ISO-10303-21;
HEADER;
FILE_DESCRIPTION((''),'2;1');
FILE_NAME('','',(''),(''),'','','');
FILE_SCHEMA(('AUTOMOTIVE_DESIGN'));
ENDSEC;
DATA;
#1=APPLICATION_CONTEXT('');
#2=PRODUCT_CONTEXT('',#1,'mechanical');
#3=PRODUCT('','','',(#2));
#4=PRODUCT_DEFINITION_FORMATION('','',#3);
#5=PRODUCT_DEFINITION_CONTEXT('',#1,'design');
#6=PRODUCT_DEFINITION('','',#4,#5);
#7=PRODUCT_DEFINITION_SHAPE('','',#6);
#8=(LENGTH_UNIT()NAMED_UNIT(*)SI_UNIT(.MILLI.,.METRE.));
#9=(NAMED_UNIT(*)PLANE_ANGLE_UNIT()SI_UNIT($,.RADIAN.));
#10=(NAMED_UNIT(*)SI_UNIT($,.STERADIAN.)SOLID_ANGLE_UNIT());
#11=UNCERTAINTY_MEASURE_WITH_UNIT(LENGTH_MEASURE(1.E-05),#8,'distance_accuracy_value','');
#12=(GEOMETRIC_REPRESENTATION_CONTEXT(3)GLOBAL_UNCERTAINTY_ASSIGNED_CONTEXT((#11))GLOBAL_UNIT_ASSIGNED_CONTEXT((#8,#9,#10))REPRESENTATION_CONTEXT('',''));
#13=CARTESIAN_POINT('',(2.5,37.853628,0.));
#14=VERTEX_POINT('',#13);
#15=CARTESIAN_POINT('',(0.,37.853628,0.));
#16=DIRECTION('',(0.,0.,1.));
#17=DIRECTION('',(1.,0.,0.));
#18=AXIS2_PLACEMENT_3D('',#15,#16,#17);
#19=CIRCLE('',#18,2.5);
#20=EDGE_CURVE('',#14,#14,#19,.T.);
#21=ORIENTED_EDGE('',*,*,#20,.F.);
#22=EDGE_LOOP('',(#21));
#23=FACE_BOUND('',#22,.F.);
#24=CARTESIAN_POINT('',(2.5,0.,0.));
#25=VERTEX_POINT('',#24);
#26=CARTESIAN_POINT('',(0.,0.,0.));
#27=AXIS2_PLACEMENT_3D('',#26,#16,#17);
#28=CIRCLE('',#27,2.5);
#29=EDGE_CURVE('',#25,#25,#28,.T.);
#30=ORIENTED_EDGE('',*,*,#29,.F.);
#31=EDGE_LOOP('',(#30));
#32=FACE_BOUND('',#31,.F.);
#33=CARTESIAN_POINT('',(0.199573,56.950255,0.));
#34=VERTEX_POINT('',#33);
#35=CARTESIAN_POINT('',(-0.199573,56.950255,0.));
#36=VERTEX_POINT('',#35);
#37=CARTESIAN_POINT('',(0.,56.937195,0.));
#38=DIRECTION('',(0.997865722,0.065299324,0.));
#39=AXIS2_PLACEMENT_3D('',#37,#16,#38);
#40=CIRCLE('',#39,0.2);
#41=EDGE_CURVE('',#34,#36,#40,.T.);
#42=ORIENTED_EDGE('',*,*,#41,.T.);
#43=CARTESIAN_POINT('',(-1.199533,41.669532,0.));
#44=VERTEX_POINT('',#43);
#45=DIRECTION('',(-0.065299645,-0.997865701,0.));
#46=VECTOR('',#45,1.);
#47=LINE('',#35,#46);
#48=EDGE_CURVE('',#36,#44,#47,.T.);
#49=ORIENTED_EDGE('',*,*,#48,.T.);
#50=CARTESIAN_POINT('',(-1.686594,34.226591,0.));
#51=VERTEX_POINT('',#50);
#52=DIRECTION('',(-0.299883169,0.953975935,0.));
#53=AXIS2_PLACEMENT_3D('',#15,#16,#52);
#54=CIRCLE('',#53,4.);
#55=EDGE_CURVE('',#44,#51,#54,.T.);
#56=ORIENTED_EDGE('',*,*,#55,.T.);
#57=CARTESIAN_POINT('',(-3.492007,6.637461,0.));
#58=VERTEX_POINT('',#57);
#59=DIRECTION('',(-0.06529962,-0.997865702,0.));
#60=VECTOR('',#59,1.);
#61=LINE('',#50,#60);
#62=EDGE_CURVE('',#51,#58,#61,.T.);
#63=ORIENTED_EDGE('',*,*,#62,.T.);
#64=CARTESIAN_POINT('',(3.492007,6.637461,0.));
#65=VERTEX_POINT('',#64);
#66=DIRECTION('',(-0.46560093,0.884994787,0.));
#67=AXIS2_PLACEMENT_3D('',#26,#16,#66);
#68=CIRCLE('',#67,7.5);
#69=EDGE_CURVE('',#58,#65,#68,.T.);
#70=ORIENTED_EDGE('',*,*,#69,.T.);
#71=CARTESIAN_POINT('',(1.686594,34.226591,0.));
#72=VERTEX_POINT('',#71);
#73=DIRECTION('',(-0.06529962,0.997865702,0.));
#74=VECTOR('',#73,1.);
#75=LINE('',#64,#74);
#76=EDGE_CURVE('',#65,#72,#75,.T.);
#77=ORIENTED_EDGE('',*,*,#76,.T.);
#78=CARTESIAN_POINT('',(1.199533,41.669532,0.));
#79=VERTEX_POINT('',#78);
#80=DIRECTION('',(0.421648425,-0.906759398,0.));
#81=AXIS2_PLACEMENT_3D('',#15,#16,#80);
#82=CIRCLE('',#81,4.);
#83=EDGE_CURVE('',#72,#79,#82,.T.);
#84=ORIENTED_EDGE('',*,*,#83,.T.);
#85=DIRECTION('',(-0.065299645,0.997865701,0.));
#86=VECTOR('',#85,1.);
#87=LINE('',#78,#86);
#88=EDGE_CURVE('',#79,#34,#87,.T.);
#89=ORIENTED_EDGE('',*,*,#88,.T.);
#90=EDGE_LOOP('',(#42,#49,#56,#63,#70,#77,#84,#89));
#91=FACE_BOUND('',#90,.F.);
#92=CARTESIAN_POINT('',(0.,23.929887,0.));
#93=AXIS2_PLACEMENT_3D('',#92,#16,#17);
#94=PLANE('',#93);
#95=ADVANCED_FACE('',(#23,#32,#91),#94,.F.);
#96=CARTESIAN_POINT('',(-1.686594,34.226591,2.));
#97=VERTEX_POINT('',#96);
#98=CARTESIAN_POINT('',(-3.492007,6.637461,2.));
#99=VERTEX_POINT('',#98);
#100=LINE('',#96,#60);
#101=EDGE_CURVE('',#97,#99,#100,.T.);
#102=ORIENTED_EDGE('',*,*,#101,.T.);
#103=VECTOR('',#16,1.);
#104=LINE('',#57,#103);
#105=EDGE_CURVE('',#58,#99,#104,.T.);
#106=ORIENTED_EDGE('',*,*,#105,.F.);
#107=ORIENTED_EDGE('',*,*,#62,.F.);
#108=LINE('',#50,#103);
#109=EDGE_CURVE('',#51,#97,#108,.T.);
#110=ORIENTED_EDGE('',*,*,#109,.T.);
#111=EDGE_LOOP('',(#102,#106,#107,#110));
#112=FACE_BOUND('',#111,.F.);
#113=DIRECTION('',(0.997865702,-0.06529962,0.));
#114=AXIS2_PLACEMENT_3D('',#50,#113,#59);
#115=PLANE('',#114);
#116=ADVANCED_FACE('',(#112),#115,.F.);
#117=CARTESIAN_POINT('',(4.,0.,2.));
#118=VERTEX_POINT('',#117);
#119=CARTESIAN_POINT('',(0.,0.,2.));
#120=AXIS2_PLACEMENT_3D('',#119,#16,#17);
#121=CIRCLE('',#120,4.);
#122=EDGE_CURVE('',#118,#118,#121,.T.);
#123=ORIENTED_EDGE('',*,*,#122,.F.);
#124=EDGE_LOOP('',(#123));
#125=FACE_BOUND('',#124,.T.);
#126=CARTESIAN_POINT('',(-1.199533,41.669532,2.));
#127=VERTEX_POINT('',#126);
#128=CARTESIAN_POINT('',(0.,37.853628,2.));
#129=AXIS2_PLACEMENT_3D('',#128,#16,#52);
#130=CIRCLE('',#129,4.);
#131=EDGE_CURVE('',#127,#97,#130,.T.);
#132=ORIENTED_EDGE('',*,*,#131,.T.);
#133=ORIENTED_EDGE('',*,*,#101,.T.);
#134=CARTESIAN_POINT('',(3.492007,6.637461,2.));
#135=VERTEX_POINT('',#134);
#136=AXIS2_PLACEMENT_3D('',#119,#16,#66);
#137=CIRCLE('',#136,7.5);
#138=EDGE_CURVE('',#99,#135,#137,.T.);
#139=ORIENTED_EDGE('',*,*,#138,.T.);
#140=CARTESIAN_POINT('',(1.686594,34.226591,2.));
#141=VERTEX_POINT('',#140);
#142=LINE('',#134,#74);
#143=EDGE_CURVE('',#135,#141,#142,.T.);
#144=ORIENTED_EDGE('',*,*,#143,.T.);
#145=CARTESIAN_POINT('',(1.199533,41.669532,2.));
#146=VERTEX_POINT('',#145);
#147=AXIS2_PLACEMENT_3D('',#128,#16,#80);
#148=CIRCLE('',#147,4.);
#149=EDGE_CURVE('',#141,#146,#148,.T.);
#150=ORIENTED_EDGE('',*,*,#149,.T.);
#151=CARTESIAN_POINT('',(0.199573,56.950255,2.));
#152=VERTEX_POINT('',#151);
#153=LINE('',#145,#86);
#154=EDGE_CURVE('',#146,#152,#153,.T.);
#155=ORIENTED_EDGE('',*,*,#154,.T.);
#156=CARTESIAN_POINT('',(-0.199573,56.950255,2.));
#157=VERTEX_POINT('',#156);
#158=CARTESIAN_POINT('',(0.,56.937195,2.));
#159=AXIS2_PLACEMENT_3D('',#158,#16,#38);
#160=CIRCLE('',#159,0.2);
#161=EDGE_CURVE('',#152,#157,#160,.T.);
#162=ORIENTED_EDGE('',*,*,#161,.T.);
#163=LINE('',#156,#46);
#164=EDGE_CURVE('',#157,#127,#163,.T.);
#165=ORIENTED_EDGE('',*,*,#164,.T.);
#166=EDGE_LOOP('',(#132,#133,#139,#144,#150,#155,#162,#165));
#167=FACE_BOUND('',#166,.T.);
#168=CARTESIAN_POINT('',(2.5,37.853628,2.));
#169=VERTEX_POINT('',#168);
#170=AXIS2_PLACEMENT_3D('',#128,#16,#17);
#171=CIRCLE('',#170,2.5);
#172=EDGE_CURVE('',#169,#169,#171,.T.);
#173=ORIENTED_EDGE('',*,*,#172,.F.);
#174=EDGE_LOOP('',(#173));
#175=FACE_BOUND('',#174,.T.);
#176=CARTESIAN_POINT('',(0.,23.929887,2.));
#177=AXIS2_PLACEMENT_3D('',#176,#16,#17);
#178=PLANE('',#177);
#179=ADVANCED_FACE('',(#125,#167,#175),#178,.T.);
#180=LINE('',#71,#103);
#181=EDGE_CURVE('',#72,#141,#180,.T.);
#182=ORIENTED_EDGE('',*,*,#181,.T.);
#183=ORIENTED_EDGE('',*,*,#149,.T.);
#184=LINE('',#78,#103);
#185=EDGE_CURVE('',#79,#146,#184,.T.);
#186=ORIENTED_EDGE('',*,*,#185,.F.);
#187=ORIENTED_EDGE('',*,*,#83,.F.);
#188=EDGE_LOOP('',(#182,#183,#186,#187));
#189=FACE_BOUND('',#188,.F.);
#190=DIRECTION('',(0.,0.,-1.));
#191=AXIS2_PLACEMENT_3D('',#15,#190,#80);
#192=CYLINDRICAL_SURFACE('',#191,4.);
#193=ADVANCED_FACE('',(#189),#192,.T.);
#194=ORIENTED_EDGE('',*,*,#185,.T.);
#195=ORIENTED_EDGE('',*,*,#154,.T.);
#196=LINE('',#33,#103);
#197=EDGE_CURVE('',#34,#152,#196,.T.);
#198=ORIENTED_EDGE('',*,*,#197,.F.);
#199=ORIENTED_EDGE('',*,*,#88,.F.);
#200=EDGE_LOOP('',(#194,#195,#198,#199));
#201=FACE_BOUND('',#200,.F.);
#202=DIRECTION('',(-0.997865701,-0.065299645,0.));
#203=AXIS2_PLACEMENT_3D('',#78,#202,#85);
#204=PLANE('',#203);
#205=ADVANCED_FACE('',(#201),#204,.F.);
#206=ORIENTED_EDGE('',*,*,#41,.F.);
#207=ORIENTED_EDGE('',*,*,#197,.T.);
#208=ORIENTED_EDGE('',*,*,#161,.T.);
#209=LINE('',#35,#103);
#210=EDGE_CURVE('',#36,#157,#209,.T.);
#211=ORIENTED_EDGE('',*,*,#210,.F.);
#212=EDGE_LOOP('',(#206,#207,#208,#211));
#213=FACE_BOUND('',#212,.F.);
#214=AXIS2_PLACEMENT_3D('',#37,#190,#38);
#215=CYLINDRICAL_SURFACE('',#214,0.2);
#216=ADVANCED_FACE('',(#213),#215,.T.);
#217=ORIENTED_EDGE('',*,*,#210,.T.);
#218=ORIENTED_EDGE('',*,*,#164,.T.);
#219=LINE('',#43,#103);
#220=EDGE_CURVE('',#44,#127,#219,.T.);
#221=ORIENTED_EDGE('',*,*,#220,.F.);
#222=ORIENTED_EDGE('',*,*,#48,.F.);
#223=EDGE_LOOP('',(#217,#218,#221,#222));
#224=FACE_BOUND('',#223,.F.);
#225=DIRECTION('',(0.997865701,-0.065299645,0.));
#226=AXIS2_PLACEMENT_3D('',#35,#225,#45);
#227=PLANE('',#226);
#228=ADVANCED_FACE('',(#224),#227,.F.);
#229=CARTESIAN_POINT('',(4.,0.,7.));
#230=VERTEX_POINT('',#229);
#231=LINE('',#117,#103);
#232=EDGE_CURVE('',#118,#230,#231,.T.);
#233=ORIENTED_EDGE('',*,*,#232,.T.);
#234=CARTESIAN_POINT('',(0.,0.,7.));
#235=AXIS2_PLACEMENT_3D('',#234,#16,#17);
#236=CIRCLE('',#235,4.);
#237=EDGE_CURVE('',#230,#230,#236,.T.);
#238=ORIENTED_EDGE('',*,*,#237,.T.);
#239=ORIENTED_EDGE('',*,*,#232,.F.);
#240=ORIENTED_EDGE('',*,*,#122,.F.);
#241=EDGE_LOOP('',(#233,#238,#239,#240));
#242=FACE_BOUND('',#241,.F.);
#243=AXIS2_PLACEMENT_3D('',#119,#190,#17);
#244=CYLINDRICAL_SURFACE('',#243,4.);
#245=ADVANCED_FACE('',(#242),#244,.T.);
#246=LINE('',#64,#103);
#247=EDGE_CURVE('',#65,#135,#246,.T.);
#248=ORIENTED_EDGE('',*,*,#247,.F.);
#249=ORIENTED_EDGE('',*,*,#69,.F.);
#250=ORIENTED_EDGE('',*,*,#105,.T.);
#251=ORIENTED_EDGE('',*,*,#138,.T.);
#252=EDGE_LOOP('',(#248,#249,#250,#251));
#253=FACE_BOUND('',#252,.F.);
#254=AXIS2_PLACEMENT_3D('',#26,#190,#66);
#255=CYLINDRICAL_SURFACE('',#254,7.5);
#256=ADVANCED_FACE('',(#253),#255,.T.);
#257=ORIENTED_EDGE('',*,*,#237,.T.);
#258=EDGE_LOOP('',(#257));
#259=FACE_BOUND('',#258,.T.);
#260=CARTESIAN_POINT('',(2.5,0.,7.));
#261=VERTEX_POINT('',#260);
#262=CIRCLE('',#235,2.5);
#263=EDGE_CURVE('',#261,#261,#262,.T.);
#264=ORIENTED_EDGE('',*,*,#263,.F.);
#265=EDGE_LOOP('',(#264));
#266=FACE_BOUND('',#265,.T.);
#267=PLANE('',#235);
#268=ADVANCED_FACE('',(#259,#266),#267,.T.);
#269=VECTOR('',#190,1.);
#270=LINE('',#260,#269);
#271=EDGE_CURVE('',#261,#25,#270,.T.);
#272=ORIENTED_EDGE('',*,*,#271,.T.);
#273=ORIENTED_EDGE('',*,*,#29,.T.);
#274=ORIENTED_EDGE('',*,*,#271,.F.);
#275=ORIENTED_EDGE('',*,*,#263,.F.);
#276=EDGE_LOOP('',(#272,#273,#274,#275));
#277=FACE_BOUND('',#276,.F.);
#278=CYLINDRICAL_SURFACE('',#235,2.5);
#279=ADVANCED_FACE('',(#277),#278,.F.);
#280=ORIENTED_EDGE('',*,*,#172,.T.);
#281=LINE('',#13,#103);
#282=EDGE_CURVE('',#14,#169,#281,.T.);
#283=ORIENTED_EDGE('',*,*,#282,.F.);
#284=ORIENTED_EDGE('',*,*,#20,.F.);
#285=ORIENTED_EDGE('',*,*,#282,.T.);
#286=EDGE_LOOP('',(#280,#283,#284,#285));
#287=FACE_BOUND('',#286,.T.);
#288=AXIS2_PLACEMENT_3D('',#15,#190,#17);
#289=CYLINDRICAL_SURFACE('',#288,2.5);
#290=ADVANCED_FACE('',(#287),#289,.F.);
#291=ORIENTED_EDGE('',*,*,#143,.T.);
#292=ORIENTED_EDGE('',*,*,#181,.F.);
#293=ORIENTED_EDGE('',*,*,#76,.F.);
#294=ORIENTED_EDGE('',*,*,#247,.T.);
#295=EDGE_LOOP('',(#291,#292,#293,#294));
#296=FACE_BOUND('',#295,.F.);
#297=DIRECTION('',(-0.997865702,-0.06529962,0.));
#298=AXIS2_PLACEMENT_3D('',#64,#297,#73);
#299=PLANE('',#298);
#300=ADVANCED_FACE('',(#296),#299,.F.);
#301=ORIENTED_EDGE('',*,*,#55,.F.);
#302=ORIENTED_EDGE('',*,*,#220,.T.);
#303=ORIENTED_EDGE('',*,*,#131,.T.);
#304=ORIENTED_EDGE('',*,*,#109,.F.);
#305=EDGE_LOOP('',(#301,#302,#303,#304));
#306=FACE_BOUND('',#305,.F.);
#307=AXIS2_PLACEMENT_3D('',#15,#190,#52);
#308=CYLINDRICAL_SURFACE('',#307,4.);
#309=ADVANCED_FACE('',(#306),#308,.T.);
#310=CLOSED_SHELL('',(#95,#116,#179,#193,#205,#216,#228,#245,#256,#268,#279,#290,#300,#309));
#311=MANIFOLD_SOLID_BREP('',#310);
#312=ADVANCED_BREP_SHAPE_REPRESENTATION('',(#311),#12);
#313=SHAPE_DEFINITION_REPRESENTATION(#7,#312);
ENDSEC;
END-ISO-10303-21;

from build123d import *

# Parameters (mm, degrees)
F0_R     = 2.5
F1_DEPTH = 2
F2_R     = 4
F3_DEPTH = 5
F4_R     = 2.5
F5_DEPTH = 7.001


with BuildPart() as f1:
    # F0 (on Top) → F1 (new body)
    with BuildSketch(Plane.XY):
        with BuildLine():
            Line((-1.686594, 34.226591), (-3.492007, 6.637461))
            ThreePointArc((-3.492007, 6.637461), (0, -7.5), (3.492007, 6.637461))
            Line((3.492007, 6.637461), (1.686594, 34.226591))
            ThreePointArc((1.686594, 34.226591), (3.991463, 38.114827), (1.199533, 41.669532))
            Line((1.199533, 41.669532), (0.199573, 56.950255))
            ThreePointArc((0.199573, 56.950255), (0, 57.137195), (-0.199573, 56.950255))
            Line((-0.199573, 56.950255), (-1.199533, 41.669532))
            ThreePointArc((-1.199533, 41.669532), (-3.991463, 38.114827), (-1.686594, 34.226591))
        make_face()
        with Locations((0, 37.853628)):
            Circle(F0_R, mode=Mode.SUBTRACT)
    extrude(amount=F1_DEPTH)

    # F2 (on face) → F3 (join)
    with BuildSketch(Plane.XY.offset(2)):
        Circle(F2_R)
    extrude(amount=F3_DEPTH)

    # F4 (on face) → F5 (cut, through all)
    with BuildSketch(Plane.XY.offset(7)):
        Circle(F4_R)
    extrude(amount=-F5_DEPTH, mode=Mode.SUBTRACT)


solid = f1.part
